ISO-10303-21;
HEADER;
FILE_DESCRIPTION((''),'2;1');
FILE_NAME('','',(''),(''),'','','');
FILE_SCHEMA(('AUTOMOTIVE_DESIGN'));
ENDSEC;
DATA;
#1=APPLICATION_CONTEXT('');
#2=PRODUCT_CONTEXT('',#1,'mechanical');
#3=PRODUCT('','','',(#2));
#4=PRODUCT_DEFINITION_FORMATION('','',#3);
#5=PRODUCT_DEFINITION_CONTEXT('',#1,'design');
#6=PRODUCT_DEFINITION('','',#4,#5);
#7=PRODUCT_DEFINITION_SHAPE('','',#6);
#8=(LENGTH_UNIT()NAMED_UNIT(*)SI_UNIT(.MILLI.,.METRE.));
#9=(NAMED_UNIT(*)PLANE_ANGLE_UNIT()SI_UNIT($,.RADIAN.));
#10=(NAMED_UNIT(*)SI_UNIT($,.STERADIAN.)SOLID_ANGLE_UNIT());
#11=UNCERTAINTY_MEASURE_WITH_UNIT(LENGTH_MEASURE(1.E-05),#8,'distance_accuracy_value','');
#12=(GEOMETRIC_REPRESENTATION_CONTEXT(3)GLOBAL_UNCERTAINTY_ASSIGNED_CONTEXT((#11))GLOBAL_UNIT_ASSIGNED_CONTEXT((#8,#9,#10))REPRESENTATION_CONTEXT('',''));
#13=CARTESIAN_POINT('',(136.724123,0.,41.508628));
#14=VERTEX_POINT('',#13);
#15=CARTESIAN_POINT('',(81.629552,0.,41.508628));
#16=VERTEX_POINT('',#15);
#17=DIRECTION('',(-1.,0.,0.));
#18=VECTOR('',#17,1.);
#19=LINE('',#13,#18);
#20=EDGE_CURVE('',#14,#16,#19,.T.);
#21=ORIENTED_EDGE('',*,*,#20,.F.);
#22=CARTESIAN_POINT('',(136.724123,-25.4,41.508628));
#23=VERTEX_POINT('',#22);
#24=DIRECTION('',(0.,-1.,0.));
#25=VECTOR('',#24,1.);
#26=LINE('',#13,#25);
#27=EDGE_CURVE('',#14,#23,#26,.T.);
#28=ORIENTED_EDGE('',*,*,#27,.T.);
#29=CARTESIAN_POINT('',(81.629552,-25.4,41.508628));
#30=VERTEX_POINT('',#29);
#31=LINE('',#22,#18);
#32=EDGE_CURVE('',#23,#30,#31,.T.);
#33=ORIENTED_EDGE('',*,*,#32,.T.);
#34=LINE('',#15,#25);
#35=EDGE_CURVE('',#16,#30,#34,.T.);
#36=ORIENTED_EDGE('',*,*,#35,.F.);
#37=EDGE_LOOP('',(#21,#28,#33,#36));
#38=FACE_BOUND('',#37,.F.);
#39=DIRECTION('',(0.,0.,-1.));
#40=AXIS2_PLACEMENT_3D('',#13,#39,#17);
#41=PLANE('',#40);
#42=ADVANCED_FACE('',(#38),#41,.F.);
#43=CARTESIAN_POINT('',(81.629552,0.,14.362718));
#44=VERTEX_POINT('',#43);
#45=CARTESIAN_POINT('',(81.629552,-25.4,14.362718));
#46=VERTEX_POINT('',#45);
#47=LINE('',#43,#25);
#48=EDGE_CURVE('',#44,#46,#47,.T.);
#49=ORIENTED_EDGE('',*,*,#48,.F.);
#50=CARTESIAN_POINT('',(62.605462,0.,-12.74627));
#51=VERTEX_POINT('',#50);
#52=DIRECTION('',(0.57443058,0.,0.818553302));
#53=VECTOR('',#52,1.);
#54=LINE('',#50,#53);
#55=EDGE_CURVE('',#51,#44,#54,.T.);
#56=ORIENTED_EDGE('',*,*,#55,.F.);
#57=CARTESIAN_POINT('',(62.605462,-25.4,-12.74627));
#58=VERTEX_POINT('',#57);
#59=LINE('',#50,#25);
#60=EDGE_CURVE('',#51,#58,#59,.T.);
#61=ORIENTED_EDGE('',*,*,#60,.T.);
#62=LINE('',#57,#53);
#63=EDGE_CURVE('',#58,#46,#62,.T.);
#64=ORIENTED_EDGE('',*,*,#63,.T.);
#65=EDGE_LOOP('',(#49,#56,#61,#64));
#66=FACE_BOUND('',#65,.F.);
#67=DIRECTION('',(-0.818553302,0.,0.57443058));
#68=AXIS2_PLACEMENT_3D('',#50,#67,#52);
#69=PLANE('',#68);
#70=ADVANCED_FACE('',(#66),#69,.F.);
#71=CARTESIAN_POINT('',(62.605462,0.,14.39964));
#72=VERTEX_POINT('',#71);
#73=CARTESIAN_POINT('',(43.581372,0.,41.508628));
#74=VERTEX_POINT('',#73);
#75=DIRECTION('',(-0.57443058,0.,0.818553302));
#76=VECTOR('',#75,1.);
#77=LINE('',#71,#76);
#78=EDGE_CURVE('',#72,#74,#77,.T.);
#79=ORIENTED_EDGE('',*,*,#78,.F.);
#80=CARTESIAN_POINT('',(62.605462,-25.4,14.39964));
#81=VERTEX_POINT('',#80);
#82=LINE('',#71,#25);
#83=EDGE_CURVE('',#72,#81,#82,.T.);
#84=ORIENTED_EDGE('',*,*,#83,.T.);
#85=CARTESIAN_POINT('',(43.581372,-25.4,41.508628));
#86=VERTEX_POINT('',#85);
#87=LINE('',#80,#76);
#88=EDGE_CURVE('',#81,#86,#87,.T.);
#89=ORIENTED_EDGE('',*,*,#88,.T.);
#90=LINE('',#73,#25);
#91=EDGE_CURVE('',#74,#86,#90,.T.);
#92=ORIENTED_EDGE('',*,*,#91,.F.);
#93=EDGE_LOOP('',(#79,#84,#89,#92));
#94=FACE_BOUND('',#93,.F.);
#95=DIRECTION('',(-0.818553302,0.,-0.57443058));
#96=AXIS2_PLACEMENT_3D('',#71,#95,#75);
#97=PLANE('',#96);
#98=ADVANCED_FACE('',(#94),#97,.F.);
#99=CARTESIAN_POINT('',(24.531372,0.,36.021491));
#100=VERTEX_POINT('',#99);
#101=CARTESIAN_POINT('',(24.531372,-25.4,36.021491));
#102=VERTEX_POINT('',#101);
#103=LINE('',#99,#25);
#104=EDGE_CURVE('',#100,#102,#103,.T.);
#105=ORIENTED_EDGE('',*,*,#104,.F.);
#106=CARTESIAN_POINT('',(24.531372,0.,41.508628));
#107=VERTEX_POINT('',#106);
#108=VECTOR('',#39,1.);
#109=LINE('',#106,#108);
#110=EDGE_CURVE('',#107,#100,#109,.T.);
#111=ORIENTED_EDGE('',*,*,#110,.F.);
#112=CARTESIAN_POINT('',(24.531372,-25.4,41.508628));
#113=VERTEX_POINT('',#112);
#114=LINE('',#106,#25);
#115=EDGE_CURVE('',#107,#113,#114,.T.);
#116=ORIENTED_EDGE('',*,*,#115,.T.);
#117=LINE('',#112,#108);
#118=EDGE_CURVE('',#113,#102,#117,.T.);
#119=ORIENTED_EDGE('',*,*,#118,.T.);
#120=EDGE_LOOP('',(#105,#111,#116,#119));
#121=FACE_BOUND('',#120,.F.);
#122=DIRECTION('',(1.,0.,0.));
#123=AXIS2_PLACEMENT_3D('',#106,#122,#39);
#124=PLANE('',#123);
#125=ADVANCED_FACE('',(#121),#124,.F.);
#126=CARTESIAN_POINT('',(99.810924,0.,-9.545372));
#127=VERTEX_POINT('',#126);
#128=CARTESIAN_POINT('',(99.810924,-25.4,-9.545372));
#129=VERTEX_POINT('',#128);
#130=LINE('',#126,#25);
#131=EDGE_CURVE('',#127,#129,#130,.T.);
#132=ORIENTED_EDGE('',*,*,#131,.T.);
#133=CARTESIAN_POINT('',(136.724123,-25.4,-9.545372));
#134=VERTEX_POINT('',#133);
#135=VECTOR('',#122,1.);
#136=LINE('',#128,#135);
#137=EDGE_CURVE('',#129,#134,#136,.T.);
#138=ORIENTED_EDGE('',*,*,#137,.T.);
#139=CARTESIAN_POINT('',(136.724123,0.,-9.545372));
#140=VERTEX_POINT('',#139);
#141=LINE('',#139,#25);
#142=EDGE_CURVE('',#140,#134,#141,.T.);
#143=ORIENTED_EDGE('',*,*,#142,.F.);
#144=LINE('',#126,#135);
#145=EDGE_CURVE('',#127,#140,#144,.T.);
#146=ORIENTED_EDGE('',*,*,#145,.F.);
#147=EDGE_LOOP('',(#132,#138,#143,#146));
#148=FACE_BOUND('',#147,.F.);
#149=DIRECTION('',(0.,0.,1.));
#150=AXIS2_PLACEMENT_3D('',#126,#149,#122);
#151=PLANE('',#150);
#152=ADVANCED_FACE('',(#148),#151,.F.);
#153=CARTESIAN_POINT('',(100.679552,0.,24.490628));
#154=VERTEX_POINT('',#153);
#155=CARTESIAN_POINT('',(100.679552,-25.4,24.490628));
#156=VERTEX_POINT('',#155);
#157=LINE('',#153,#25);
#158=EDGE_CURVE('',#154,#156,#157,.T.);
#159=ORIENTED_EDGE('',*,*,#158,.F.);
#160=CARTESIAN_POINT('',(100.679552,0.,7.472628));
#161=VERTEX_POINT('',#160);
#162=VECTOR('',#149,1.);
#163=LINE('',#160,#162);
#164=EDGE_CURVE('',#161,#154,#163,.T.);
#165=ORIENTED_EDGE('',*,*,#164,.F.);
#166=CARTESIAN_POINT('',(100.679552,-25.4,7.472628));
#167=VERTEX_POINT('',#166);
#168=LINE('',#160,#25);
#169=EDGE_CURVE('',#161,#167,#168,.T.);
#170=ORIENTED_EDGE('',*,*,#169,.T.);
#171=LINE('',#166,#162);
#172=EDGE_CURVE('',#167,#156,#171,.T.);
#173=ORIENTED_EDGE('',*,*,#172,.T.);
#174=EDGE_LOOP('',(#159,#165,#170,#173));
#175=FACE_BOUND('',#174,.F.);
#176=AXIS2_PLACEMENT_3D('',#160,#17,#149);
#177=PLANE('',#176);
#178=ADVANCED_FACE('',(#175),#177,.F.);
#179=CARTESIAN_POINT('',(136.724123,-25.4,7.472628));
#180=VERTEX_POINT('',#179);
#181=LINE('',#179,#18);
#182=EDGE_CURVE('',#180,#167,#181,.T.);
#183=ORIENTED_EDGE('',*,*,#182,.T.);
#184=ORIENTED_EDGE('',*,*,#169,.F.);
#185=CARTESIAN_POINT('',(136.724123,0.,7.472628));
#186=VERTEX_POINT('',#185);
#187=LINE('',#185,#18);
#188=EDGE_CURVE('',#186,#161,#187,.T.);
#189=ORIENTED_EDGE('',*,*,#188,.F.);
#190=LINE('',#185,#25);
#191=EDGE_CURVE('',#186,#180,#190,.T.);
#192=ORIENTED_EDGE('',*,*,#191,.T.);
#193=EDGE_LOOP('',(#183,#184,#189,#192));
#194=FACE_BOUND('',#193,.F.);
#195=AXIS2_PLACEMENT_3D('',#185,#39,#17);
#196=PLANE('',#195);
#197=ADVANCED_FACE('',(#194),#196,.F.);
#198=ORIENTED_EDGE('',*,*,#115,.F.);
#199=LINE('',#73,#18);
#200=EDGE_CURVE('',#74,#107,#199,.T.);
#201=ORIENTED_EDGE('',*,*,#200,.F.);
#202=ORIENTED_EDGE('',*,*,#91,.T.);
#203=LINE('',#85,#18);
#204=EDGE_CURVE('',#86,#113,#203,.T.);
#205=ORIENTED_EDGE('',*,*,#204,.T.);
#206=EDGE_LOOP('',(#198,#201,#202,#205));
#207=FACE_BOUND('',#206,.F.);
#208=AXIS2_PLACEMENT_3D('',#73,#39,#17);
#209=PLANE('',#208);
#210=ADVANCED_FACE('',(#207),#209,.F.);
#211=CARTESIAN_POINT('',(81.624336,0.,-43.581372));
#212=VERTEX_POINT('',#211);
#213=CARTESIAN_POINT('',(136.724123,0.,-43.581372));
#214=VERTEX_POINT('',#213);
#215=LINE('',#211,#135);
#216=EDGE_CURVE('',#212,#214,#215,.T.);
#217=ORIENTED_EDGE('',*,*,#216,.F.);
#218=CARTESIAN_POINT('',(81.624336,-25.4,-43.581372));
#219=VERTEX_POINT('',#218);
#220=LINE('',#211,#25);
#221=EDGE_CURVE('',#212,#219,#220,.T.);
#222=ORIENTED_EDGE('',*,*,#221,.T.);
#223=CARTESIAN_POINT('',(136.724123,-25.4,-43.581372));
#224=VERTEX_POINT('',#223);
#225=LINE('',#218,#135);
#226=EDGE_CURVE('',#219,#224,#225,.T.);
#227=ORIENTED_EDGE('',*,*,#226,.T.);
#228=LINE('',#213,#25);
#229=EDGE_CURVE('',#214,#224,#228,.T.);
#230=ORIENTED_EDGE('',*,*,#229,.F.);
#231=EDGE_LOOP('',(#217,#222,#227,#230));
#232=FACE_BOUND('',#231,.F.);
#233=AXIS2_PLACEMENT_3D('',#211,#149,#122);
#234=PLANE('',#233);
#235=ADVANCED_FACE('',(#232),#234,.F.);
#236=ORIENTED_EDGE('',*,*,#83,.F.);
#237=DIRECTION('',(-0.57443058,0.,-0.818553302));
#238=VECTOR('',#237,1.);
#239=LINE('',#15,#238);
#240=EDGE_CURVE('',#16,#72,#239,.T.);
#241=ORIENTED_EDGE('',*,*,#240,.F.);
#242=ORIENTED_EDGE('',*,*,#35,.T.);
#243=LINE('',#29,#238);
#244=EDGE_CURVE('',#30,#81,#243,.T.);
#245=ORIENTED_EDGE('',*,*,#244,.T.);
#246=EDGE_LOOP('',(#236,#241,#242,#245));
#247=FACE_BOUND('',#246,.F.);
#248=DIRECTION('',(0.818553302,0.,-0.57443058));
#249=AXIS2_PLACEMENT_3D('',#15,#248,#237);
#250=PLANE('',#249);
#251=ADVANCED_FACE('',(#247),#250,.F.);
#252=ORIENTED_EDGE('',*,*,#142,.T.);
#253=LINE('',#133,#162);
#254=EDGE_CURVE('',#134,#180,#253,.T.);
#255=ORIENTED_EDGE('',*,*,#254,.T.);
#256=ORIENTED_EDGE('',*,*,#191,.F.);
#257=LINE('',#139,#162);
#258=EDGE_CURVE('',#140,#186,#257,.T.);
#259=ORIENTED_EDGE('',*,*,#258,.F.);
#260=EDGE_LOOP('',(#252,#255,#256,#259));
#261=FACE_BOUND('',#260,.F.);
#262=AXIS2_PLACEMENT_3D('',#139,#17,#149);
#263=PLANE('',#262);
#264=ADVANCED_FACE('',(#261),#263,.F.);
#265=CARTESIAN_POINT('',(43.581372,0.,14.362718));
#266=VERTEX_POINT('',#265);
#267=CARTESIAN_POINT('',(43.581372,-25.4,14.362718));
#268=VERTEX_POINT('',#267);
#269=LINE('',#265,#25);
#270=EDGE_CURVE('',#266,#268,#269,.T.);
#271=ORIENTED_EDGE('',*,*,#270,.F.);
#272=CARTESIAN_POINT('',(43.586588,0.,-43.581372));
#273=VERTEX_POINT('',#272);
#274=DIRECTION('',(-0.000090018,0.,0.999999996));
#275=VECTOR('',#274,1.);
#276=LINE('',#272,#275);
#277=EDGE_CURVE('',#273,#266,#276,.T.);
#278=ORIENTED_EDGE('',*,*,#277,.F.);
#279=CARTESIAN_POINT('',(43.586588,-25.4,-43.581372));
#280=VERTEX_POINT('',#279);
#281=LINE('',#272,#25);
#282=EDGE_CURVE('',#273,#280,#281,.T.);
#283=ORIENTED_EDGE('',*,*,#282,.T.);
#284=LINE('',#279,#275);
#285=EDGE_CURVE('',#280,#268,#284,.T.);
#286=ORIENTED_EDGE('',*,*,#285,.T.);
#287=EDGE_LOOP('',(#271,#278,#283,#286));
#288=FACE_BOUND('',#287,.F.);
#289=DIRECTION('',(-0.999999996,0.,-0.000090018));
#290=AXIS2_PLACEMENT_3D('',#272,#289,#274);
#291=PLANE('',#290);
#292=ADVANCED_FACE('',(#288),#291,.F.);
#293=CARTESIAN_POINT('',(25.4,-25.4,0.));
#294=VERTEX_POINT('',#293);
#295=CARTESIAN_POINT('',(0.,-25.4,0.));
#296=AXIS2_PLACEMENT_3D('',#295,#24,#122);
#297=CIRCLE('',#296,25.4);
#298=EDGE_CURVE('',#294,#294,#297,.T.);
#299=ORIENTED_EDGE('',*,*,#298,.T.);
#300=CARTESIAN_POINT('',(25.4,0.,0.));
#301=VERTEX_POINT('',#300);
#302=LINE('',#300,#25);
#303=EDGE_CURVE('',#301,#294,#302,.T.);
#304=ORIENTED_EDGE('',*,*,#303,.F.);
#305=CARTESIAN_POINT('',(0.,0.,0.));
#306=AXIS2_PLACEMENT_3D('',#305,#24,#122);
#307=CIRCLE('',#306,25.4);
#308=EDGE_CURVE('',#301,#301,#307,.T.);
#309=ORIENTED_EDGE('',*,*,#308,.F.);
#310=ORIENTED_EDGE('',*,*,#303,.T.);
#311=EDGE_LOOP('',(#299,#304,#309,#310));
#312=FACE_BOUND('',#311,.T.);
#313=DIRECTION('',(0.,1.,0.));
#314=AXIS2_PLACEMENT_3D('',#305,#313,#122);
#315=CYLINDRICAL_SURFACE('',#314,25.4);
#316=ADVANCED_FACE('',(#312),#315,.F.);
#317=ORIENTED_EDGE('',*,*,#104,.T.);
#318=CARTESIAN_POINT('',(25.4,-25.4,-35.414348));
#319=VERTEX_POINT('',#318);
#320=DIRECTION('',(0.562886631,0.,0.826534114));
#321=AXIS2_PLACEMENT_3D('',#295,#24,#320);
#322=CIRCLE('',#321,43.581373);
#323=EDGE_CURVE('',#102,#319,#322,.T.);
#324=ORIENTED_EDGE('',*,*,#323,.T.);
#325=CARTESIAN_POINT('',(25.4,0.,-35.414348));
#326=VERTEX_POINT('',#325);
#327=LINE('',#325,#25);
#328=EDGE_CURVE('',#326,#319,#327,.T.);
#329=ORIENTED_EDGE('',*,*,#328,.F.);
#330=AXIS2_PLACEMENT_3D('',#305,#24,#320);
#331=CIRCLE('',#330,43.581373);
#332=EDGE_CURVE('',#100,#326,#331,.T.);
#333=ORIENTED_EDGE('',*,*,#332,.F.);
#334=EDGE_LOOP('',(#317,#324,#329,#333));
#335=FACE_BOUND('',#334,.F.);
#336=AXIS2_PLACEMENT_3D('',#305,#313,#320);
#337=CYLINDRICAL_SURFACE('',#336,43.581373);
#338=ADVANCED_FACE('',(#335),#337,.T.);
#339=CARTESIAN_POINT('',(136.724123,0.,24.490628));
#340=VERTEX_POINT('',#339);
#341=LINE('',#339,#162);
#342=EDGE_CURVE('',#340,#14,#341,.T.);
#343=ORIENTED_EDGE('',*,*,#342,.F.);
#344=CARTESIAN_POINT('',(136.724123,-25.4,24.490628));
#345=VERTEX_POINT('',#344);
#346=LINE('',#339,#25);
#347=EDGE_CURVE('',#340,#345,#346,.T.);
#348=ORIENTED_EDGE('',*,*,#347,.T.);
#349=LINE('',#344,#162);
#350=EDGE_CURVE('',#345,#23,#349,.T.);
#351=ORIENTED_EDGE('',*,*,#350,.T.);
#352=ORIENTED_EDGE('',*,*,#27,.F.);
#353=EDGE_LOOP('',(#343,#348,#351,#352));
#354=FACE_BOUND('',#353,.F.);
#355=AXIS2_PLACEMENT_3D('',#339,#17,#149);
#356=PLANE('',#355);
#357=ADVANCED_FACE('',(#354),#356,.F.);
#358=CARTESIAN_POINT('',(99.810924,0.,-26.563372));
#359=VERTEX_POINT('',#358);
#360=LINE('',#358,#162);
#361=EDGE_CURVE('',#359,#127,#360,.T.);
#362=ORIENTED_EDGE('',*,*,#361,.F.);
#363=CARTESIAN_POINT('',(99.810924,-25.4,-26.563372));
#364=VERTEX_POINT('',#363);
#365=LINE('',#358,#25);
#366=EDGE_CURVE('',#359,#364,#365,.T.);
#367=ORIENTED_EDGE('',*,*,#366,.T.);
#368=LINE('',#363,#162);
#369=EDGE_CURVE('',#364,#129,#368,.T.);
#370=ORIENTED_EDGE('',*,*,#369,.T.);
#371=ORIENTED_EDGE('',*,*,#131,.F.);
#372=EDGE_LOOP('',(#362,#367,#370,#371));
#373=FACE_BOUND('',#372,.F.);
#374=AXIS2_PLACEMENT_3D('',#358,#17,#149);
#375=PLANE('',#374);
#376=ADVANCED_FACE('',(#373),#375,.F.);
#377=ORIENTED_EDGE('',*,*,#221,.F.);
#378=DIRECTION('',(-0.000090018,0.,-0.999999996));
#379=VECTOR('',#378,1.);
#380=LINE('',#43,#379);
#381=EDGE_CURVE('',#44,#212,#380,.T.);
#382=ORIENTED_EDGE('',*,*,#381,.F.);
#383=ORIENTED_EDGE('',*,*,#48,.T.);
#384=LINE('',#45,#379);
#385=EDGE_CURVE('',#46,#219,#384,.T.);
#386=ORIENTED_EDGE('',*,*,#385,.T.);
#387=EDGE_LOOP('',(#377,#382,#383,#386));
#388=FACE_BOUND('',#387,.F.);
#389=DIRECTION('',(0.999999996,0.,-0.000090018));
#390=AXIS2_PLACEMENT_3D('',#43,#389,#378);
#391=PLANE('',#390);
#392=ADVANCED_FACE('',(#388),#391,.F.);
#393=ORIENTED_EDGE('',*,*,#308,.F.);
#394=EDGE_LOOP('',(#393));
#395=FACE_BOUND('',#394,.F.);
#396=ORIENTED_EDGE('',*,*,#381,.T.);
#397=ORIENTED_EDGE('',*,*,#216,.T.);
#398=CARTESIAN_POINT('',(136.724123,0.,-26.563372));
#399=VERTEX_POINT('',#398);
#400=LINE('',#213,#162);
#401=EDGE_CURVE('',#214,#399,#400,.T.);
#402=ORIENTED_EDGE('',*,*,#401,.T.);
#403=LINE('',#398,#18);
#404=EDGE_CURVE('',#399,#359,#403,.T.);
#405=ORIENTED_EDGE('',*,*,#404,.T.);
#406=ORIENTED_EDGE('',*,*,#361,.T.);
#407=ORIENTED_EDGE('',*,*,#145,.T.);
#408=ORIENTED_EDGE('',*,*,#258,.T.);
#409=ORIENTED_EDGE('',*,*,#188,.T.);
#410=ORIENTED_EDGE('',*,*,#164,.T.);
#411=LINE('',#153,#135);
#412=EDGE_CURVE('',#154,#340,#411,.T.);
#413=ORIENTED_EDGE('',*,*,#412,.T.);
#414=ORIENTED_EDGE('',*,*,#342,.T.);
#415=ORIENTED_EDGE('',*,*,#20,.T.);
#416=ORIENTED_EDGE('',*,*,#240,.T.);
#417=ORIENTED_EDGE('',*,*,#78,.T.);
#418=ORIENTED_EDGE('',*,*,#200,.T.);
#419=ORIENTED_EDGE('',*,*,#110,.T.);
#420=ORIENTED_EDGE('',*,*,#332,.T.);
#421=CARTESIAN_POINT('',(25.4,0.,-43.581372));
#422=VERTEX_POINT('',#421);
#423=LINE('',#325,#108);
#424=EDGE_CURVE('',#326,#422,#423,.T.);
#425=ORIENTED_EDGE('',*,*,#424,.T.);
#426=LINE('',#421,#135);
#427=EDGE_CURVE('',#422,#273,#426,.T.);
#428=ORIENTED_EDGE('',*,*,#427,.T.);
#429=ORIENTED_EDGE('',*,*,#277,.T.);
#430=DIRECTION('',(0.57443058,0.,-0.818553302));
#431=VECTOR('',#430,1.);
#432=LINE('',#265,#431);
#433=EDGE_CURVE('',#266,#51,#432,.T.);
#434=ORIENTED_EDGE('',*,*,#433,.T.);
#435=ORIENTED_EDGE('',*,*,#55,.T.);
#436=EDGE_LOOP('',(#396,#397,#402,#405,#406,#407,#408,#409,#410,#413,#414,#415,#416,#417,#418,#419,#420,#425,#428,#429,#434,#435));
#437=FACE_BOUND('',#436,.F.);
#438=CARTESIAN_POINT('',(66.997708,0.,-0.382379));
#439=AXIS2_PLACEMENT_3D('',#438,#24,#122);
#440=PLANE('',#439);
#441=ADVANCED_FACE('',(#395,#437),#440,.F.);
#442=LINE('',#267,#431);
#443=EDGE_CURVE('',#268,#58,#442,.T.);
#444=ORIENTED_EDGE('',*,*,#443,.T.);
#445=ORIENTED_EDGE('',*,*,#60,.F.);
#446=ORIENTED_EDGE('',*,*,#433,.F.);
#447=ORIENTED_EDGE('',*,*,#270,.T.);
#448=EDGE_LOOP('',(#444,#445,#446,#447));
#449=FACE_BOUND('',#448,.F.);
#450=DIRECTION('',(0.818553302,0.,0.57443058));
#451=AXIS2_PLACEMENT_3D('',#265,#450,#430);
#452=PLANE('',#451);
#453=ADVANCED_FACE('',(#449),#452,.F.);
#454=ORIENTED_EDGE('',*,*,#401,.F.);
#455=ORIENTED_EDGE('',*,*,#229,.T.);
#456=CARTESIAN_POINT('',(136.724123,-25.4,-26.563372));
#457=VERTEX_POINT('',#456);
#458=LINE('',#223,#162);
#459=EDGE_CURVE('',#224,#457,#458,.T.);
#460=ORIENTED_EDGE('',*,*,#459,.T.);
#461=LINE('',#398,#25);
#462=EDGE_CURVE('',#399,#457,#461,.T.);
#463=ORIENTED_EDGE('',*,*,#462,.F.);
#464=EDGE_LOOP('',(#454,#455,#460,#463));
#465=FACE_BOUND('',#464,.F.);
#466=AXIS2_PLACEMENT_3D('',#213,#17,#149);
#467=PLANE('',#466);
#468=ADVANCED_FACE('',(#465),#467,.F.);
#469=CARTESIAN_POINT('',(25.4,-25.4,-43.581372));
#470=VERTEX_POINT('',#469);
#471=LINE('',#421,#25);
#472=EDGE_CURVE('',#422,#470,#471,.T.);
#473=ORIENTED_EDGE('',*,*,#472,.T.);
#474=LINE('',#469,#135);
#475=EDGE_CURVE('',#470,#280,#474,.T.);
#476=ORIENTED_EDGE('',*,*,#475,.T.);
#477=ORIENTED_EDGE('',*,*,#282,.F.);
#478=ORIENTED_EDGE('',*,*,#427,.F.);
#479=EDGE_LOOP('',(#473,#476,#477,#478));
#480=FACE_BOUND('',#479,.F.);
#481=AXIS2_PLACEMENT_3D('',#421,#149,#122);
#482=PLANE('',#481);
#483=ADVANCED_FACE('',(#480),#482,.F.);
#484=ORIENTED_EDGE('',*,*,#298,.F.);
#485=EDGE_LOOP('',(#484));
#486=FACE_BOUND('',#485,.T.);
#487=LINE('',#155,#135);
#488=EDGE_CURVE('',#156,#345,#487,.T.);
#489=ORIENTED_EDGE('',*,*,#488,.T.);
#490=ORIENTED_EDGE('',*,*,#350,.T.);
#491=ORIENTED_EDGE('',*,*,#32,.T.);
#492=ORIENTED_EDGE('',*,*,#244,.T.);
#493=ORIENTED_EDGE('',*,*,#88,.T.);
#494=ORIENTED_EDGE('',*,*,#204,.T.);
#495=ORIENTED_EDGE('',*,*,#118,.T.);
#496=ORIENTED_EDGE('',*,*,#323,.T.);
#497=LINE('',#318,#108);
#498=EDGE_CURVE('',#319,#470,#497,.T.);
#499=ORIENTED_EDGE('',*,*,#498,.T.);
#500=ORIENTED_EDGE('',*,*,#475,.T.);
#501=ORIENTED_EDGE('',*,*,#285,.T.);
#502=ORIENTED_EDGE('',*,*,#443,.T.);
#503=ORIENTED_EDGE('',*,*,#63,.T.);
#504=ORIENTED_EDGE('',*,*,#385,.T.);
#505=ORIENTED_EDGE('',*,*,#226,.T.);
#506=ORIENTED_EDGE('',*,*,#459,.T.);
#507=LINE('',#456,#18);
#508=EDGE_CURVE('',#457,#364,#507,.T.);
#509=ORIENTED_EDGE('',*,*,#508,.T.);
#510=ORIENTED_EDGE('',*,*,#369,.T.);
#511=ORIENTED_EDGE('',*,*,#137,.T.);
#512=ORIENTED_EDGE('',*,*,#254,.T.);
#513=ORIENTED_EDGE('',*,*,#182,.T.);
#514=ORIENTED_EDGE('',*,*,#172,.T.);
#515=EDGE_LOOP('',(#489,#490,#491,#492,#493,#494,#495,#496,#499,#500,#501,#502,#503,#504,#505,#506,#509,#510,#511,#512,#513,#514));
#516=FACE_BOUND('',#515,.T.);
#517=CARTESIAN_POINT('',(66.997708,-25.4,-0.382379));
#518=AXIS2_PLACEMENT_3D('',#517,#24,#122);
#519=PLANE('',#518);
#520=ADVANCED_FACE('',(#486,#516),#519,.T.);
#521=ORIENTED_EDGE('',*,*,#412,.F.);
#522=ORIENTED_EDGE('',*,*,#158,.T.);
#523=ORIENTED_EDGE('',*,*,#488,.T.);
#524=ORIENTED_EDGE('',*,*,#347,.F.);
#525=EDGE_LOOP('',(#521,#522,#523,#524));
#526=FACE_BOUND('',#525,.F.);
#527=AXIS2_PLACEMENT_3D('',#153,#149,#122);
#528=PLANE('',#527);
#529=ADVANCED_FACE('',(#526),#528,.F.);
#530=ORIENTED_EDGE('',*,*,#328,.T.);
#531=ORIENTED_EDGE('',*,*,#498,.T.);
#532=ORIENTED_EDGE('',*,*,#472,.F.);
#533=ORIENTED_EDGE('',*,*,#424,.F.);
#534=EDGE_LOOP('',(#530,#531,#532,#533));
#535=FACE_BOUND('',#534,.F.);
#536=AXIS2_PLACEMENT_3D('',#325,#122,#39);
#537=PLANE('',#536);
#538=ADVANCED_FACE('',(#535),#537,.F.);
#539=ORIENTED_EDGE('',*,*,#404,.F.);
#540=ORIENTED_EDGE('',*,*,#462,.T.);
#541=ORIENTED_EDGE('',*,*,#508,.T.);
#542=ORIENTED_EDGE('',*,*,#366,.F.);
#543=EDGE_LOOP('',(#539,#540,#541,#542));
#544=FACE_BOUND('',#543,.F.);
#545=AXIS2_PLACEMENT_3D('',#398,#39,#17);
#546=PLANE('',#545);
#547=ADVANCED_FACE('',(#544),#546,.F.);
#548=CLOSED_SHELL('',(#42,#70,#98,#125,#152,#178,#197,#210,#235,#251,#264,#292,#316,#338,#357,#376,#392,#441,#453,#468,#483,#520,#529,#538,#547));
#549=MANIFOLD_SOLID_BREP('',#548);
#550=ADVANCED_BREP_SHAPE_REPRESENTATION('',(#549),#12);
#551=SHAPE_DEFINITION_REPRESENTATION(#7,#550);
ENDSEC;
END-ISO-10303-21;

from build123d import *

# Parameters (mm, degrees)
F0_R     = 25.4
F1_DEPTH = 25.4


with BuildPart() as f1:
    # F0 (on Front) → F1 (new body)
    with BuildSketch(Plane.XZ):
        with BuildLine():
            Line((24.531372, 41.508628), (24.531372, 36.021491))
            ThreePointArc((24.531372, 36.021491), (-43.578151, -0.529891), (25.4, -35.414348))
            Line((25.4, -35.414348), (25.4, -43.581372))
            Line((25.4, -43.581372), (43.586588, -43.581372))
            Line((43.586588, -43.581372), (43.581372, 14.362718))
            Line((43.581372, 14.362718), (62.605462, -12.74627))
            Line((62.605462, -12.74627), (81.629552, 14.362718))
            Line((81.629552, 14.362718), (81.624336, -43.581372))
            Line((81.624336, -43.581372), (136.724123, -43.581372))
            Line((136.724123, -43.581372), (136.724123, -26.563372))
            Line((136.724123, -26.563372), (99.810924, -26.563372))
            Line((99.810924, -26.563372), (99.810924, -9.545372))
            Line((99.810924, -9.545372), (136.724123, -9.545372))
            Line((136.724123, -9.545372), (136.724123, 7.472628))
            Line((136.724123, 7.472628), (100.679552, 7.472628))
            Line((100.679552, 7.472628), (100.679552, 24.490628))
            Line((100.679552, 24.490628), (136.724123, 24.490628))
            Line((136.724123, 24.490628), (136.724123, 41.508628))
            Line((136.724123, 41.508628), (81.629552, 41.508628))
            Line((81.629552, 41.508628), (62.605462, 14.39964))
            Line((62.605462, 14.39964), (43.581372, 41.508628))
            Line((43.581372, 41.508628), (24.531372, 41.508628))
        make_face()
        Circle(F0_R, mode=Mode.SUBTRACT)
    extrude(amount=F1_DEPTH)


solid = f1.part
